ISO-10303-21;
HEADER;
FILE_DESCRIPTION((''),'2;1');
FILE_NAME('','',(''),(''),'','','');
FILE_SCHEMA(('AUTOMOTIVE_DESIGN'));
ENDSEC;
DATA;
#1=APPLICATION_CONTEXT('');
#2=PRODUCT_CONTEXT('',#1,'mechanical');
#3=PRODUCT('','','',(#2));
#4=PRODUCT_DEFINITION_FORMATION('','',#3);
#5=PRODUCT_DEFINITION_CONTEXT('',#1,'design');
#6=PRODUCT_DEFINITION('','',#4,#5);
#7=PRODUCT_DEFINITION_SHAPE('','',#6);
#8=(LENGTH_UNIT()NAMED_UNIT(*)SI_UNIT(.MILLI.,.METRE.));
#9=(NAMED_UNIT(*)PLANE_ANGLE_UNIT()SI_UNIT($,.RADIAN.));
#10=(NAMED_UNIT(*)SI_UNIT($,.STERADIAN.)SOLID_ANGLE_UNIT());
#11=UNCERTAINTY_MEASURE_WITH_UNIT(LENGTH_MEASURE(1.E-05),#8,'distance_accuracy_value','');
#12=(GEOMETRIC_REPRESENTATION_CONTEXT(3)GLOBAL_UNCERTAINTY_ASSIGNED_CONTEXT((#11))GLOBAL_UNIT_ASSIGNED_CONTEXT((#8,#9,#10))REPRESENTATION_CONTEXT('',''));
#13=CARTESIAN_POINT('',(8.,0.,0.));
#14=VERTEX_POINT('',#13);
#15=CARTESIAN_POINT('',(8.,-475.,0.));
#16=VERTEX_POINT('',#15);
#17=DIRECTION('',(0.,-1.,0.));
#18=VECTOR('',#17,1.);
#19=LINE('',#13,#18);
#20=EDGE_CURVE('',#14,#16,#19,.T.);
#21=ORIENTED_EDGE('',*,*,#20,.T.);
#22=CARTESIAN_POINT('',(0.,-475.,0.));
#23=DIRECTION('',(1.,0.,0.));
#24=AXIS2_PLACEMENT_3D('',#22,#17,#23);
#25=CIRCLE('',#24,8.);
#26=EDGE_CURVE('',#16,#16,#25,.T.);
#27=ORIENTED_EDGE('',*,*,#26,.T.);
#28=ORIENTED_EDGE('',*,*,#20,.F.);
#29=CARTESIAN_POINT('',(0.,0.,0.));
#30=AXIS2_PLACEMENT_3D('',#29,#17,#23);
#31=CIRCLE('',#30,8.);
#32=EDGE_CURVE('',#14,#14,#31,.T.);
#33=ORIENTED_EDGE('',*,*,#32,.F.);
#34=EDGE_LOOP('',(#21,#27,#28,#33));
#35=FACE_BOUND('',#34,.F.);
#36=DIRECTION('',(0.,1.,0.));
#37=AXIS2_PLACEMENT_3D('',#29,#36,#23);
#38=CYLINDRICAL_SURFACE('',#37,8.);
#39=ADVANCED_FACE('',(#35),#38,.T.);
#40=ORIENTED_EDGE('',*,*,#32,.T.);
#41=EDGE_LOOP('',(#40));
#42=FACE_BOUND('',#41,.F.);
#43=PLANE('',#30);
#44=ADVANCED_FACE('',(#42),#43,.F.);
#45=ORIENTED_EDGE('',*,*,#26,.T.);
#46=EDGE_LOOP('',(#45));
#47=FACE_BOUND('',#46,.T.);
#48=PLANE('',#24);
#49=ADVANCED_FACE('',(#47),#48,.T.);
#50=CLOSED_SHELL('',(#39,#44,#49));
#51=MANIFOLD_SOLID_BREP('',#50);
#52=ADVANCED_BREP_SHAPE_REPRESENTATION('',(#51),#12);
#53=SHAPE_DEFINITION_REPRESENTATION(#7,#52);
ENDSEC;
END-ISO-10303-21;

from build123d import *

# Parameters (mm, degrees)
F0_R     = 8
F1_DEPTH = 500
F2_R     = 8
F2_R_2   = 5
F3_DEPTH = 25


with BuildPart() as f1:
    # F0 (on Front) → F1 (new body)
    with BuildSketch(Plane.XZ):
        Circle(F0_R)
    extrude(amount=F1_DEPTH)

    # F2 (on face) → F3 (cut)
    with BuildSketch(Plane.XZ.offset(500)):
        Circle(F2_R)
        Circle(F2_R_2, mode=Mode.SUBTRACT)
        Circle(F2_R_2)
    extrude(amount=-F3_DEPTH, mode=Mode.SUBTRACT)


solid = f1.part
